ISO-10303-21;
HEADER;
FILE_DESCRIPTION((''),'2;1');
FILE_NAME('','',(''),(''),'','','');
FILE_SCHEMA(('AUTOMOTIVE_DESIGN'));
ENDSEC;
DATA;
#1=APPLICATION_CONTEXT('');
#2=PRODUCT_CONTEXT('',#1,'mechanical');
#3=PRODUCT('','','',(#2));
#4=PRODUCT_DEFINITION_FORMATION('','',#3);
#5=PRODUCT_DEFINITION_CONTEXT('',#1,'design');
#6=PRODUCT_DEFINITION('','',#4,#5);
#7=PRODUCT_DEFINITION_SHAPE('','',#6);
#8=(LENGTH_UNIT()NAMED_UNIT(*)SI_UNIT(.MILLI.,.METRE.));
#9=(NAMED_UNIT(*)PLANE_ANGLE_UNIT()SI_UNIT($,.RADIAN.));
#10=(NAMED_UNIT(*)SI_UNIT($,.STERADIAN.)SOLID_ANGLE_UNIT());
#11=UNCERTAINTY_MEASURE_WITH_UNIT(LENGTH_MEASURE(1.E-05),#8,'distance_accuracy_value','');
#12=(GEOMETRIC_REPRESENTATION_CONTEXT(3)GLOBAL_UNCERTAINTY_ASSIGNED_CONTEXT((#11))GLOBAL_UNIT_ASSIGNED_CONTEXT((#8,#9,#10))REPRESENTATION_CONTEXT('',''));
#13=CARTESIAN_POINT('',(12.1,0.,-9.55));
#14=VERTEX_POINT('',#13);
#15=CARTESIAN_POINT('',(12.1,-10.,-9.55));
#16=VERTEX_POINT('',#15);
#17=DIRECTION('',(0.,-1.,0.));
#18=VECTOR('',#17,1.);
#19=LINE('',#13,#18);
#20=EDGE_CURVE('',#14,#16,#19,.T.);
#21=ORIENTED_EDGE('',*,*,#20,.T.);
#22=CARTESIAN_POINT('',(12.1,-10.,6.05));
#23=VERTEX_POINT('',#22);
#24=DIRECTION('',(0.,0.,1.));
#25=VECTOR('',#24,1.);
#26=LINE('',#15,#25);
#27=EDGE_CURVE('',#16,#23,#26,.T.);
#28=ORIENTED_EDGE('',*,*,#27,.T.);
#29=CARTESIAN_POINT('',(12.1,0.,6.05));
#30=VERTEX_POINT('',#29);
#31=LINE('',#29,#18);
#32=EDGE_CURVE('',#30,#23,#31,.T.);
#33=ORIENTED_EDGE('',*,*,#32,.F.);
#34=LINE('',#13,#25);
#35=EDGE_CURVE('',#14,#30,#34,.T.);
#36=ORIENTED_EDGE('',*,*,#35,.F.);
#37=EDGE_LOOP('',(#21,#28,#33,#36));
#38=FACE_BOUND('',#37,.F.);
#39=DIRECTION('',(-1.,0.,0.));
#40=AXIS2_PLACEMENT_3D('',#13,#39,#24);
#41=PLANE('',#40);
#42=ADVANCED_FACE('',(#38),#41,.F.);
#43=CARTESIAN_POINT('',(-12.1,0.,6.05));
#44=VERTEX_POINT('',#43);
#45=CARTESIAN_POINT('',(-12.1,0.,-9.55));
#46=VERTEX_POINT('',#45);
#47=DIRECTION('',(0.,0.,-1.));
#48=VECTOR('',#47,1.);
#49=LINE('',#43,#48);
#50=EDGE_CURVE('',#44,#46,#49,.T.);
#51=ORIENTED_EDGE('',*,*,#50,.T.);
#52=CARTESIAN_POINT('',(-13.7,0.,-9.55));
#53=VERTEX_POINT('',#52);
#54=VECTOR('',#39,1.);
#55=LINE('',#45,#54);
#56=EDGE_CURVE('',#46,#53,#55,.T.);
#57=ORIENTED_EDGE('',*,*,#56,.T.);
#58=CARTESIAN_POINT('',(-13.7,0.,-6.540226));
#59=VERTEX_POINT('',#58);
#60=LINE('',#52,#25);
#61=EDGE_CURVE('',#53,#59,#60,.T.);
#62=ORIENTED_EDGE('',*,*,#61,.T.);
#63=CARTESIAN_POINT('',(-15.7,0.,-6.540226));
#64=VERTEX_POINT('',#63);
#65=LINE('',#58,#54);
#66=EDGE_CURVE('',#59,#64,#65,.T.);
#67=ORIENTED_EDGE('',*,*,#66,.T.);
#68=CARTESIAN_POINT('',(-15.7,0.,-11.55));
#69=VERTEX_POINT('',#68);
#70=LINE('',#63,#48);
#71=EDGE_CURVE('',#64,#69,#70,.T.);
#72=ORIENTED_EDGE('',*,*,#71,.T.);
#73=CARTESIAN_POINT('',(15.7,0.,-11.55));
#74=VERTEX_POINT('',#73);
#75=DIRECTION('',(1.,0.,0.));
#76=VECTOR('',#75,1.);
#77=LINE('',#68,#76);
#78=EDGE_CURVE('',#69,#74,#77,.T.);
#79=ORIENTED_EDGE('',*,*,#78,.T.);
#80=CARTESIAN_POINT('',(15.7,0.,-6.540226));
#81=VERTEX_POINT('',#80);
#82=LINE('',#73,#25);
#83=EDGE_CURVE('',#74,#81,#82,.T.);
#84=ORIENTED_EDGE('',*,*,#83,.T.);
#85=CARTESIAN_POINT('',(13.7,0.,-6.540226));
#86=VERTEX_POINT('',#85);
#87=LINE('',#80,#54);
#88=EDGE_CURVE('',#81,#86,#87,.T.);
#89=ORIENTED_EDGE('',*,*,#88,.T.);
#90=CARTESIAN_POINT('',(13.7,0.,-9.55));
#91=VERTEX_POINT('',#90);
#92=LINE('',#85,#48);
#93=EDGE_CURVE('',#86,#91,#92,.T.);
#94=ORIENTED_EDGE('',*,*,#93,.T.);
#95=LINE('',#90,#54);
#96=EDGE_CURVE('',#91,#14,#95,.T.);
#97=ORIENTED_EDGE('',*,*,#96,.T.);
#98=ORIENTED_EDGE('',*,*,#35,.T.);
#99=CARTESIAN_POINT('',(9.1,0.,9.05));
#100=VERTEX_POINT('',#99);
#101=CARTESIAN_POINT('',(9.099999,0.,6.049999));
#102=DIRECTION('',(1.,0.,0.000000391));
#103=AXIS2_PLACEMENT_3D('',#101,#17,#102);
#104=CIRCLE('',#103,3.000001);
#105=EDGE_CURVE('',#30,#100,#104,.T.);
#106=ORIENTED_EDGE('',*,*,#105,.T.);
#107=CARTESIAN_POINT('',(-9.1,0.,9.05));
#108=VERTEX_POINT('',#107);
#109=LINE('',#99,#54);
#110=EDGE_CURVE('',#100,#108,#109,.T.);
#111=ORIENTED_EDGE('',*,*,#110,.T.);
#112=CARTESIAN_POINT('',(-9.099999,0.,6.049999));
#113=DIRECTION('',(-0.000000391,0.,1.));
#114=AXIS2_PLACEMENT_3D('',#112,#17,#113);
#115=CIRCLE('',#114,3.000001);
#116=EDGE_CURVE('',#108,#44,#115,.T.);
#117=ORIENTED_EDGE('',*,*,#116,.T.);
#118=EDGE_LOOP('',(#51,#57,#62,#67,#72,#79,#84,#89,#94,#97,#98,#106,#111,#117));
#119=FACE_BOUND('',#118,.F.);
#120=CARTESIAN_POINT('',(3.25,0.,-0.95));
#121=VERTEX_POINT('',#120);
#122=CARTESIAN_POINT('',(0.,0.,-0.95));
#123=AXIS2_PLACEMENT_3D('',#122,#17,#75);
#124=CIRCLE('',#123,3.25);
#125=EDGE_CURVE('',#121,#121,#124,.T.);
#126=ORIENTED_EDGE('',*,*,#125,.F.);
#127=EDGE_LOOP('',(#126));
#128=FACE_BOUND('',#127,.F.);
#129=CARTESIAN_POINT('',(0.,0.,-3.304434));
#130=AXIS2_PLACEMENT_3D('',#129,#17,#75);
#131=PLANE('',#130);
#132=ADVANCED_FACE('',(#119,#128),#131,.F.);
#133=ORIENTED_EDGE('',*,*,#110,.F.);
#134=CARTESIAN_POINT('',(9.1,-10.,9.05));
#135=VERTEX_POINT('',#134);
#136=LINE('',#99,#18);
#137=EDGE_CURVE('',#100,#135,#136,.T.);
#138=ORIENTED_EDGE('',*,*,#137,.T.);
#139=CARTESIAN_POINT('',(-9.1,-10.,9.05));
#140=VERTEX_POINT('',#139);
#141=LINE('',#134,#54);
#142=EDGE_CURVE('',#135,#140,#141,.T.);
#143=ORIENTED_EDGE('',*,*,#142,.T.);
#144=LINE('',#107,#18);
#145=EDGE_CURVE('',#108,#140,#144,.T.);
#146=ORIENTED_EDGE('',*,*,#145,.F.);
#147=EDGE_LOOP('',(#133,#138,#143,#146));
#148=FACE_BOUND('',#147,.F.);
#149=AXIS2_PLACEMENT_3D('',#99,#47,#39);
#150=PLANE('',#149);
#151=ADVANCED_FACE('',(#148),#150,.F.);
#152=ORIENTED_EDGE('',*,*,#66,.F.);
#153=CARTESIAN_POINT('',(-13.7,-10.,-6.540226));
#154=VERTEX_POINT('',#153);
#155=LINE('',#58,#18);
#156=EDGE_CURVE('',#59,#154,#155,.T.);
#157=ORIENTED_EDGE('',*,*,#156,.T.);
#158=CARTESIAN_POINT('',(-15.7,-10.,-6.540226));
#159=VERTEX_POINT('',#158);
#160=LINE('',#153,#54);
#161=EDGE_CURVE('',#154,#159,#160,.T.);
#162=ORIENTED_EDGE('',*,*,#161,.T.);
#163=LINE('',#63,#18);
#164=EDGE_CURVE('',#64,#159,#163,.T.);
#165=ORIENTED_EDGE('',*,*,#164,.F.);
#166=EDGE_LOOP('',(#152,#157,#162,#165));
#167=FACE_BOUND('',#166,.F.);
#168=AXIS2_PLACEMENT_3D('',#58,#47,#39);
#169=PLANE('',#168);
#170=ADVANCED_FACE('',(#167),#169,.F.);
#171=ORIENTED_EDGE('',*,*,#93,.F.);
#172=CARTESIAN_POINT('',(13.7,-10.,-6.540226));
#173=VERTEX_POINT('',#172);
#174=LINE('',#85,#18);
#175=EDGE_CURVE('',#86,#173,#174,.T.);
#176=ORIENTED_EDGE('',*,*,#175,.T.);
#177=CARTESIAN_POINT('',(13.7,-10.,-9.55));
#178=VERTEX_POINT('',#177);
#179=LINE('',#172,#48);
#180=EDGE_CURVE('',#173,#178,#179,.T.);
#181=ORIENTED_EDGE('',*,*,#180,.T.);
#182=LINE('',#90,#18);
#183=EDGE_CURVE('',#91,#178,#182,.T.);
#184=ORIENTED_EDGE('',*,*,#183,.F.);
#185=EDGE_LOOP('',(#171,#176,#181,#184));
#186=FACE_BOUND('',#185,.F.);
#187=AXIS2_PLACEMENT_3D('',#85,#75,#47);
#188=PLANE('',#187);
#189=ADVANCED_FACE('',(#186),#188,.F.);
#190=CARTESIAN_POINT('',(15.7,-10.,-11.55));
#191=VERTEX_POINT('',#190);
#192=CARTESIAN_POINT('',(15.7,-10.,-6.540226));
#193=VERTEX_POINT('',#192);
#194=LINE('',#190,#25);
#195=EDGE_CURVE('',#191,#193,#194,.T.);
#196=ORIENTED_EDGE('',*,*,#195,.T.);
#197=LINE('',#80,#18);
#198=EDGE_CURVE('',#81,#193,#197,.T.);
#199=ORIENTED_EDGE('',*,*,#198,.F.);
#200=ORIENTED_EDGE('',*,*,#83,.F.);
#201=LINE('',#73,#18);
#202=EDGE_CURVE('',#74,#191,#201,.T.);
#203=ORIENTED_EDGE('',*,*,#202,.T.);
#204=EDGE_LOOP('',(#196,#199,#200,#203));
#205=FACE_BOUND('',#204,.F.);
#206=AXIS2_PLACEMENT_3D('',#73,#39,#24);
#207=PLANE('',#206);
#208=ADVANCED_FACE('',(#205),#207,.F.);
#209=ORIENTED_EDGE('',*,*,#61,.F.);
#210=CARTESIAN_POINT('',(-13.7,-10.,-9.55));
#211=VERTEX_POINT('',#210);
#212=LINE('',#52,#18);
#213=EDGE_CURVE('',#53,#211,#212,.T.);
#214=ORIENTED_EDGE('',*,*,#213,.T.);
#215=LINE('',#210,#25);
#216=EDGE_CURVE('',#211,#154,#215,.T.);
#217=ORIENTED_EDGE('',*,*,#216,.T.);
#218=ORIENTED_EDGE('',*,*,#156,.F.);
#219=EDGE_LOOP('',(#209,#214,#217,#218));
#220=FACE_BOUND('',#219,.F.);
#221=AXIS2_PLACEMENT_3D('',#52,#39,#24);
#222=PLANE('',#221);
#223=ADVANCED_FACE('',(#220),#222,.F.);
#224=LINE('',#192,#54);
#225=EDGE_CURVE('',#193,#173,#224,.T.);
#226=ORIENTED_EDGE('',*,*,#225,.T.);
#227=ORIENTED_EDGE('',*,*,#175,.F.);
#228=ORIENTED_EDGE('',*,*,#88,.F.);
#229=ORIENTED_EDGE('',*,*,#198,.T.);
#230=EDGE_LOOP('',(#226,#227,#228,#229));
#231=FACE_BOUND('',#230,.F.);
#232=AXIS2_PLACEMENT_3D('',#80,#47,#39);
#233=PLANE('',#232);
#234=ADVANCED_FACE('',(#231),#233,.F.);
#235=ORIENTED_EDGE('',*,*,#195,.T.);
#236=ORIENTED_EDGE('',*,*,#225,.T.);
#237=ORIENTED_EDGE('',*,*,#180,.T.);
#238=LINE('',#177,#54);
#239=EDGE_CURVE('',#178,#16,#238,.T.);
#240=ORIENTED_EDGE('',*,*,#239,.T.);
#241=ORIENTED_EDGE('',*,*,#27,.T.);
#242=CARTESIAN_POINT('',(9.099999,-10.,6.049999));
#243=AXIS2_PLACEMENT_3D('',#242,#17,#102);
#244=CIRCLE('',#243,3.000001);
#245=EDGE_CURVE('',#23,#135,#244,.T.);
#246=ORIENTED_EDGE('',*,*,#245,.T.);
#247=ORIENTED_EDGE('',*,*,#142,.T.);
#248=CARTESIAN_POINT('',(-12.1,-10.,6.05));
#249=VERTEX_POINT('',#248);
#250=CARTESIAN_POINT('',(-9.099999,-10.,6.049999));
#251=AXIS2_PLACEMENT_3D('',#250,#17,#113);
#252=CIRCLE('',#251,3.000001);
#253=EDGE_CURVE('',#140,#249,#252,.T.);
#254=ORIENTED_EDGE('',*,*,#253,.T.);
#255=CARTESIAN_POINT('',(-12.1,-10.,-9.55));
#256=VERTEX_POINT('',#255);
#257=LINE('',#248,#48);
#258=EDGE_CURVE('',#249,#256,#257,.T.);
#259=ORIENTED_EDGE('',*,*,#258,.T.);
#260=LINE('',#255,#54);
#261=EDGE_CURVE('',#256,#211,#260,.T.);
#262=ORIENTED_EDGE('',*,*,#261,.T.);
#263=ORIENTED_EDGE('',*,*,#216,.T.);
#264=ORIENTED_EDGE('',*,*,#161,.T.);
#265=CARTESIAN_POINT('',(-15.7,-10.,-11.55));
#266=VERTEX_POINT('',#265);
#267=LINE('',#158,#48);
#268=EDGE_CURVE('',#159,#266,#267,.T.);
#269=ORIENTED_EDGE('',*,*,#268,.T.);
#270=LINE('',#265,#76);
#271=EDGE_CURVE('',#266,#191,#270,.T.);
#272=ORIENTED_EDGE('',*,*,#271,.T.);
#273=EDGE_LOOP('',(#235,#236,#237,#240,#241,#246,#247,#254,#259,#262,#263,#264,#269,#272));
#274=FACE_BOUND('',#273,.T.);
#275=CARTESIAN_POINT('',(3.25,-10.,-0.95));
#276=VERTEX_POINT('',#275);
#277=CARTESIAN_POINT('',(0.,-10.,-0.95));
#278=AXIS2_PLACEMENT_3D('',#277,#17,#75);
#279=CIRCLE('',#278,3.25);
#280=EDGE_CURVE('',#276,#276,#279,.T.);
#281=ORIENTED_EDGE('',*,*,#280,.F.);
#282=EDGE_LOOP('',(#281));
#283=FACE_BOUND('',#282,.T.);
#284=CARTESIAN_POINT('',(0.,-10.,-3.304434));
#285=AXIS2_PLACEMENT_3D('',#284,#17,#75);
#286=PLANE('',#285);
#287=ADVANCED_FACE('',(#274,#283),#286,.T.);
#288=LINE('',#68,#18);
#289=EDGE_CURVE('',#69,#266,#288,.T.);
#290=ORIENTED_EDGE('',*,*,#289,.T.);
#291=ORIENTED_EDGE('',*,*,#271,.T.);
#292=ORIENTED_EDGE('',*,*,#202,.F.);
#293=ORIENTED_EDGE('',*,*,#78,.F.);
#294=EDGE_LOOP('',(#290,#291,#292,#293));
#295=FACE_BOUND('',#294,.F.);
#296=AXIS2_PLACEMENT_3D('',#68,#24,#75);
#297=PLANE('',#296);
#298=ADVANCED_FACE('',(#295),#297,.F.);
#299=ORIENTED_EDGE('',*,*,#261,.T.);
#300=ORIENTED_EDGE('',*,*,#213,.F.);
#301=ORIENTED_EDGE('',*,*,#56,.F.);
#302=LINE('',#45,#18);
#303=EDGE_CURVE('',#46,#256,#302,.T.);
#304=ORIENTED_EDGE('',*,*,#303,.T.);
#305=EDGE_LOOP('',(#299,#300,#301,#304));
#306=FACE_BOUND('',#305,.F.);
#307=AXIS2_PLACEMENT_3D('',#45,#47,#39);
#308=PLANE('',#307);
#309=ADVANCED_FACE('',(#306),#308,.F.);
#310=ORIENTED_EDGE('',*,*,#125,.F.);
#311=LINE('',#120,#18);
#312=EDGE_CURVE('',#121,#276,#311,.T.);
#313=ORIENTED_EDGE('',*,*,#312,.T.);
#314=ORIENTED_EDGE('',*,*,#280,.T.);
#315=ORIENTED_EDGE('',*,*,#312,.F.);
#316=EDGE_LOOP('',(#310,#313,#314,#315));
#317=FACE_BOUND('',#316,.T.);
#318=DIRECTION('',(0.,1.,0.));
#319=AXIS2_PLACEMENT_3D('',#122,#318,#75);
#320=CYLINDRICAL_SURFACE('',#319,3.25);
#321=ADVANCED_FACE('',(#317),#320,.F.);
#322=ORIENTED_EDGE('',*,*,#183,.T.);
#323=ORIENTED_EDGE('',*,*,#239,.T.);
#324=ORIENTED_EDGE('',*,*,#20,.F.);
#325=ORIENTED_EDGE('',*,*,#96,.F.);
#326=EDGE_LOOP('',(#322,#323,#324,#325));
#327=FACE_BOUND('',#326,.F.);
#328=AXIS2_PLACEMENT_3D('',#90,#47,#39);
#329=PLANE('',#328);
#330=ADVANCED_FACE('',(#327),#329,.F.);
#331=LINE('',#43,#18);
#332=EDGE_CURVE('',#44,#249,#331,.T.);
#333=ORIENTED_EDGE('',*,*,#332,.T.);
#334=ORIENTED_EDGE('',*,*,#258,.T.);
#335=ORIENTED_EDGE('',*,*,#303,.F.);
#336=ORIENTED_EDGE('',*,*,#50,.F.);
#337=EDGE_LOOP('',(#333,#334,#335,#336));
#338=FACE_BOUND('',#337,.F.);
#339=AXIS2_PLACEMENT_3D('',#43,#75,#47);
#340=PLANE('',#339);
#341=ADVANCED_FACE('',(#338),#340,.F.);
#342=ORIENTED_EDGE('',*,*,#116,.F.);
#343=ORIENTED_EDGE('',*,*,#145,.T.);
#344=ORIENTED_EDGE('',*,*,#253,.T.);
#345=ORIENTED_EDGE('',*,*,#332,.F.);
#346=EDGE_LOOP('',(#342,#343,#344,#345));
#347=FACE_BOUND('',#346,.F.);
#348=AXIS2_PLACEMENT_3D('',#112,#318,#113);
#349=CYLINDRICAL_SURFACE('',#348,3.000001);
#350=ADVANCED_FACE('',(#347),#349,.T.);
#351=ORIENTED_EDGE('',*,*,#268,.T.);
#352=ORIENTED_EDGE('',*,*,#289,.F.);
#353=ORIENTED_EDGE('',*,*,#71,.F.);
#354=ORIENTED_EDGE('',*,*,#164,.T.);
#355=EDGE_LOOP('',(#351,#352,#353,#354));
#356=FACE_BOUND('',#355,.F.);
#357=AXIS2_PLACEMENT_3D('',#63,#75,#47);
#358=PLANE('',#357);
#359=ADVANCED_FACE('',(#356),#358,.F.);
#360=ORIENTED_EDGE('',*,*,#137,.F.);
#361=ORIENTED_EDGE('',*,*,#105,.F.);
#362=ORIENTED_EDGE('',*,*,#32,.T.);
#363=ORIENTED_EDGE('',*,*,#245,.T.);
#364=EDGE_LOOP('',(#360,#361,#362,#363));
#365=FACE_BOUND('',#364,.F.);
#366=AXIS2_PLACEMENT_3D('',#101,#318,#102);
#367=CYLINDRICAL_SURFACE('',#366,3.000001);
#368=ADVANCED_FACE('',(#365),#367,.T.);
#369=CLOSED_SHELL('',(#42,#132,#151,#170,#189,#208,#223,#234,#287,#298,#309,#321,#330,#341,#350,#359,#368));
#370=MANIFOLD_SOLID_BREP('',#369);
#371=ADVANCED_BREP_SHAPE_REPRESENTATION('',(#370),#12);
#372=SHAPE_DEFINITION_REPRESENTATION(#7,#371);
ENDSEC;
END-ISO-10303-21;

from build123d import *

# Parameters (mm, degrees)
F0_R     = 3.25
F1_DEPTH = 10


with BuildPart() as f1:
    # F0 (on Front) → F1 (new body)
    with BuildSketch(Plane.XZ):
        with BuildLine():
            Line((-13.7, -9.5), (-13.7, -6.540226))
            Line((-13.7, -6.540226), (-15.7, -6.540226))
            Line((-15.7, -6.540226), (-15.7, -11.55))
            Line((-15.7, -11.55), (15.7, -11.55))
            Line((15.7, -11.55), (15.7, -6.540226))
            Line((15.7, -6.540226), (13.7, -6.540226))
            Line((13.7, -6.540226), (13.7, -9.5))
            Line((13.7, -9.5), (13.7, -9.55))
            Line((13.7, -9.55), (12.1, -9.55))
            Line((12.1, -9.55), (12.1, -9.5))
            Line((12.1, -9.5), (12.1, 6.05))
            ThreePointArc((12.1, 6.05), (11.22132, 8.17132), (9.1, 9.05))
            Line((9.1, 9.05), (-9.1, 9.05))
            ThreePointArc((-9.1, 9.05), (-11.22132, 8.17132), (-12.1, 6.05))
            Line((-12.1, 6.05), (-12.1, -9.5))
            Line((-12.1, -9.5), (-12.1, -9.55))
            Line((-12.1, -9.55), (-13.7, -9.55))
            Line((-13.7, -9.55), (-13.7, -9.5))
        make_face()
        with Locations((0, -0.95)):
            Circle(F0_R, mode=Mode.SUBTRACT)
    extrude(amount=F1_DEPTH)


solid = f1.part
